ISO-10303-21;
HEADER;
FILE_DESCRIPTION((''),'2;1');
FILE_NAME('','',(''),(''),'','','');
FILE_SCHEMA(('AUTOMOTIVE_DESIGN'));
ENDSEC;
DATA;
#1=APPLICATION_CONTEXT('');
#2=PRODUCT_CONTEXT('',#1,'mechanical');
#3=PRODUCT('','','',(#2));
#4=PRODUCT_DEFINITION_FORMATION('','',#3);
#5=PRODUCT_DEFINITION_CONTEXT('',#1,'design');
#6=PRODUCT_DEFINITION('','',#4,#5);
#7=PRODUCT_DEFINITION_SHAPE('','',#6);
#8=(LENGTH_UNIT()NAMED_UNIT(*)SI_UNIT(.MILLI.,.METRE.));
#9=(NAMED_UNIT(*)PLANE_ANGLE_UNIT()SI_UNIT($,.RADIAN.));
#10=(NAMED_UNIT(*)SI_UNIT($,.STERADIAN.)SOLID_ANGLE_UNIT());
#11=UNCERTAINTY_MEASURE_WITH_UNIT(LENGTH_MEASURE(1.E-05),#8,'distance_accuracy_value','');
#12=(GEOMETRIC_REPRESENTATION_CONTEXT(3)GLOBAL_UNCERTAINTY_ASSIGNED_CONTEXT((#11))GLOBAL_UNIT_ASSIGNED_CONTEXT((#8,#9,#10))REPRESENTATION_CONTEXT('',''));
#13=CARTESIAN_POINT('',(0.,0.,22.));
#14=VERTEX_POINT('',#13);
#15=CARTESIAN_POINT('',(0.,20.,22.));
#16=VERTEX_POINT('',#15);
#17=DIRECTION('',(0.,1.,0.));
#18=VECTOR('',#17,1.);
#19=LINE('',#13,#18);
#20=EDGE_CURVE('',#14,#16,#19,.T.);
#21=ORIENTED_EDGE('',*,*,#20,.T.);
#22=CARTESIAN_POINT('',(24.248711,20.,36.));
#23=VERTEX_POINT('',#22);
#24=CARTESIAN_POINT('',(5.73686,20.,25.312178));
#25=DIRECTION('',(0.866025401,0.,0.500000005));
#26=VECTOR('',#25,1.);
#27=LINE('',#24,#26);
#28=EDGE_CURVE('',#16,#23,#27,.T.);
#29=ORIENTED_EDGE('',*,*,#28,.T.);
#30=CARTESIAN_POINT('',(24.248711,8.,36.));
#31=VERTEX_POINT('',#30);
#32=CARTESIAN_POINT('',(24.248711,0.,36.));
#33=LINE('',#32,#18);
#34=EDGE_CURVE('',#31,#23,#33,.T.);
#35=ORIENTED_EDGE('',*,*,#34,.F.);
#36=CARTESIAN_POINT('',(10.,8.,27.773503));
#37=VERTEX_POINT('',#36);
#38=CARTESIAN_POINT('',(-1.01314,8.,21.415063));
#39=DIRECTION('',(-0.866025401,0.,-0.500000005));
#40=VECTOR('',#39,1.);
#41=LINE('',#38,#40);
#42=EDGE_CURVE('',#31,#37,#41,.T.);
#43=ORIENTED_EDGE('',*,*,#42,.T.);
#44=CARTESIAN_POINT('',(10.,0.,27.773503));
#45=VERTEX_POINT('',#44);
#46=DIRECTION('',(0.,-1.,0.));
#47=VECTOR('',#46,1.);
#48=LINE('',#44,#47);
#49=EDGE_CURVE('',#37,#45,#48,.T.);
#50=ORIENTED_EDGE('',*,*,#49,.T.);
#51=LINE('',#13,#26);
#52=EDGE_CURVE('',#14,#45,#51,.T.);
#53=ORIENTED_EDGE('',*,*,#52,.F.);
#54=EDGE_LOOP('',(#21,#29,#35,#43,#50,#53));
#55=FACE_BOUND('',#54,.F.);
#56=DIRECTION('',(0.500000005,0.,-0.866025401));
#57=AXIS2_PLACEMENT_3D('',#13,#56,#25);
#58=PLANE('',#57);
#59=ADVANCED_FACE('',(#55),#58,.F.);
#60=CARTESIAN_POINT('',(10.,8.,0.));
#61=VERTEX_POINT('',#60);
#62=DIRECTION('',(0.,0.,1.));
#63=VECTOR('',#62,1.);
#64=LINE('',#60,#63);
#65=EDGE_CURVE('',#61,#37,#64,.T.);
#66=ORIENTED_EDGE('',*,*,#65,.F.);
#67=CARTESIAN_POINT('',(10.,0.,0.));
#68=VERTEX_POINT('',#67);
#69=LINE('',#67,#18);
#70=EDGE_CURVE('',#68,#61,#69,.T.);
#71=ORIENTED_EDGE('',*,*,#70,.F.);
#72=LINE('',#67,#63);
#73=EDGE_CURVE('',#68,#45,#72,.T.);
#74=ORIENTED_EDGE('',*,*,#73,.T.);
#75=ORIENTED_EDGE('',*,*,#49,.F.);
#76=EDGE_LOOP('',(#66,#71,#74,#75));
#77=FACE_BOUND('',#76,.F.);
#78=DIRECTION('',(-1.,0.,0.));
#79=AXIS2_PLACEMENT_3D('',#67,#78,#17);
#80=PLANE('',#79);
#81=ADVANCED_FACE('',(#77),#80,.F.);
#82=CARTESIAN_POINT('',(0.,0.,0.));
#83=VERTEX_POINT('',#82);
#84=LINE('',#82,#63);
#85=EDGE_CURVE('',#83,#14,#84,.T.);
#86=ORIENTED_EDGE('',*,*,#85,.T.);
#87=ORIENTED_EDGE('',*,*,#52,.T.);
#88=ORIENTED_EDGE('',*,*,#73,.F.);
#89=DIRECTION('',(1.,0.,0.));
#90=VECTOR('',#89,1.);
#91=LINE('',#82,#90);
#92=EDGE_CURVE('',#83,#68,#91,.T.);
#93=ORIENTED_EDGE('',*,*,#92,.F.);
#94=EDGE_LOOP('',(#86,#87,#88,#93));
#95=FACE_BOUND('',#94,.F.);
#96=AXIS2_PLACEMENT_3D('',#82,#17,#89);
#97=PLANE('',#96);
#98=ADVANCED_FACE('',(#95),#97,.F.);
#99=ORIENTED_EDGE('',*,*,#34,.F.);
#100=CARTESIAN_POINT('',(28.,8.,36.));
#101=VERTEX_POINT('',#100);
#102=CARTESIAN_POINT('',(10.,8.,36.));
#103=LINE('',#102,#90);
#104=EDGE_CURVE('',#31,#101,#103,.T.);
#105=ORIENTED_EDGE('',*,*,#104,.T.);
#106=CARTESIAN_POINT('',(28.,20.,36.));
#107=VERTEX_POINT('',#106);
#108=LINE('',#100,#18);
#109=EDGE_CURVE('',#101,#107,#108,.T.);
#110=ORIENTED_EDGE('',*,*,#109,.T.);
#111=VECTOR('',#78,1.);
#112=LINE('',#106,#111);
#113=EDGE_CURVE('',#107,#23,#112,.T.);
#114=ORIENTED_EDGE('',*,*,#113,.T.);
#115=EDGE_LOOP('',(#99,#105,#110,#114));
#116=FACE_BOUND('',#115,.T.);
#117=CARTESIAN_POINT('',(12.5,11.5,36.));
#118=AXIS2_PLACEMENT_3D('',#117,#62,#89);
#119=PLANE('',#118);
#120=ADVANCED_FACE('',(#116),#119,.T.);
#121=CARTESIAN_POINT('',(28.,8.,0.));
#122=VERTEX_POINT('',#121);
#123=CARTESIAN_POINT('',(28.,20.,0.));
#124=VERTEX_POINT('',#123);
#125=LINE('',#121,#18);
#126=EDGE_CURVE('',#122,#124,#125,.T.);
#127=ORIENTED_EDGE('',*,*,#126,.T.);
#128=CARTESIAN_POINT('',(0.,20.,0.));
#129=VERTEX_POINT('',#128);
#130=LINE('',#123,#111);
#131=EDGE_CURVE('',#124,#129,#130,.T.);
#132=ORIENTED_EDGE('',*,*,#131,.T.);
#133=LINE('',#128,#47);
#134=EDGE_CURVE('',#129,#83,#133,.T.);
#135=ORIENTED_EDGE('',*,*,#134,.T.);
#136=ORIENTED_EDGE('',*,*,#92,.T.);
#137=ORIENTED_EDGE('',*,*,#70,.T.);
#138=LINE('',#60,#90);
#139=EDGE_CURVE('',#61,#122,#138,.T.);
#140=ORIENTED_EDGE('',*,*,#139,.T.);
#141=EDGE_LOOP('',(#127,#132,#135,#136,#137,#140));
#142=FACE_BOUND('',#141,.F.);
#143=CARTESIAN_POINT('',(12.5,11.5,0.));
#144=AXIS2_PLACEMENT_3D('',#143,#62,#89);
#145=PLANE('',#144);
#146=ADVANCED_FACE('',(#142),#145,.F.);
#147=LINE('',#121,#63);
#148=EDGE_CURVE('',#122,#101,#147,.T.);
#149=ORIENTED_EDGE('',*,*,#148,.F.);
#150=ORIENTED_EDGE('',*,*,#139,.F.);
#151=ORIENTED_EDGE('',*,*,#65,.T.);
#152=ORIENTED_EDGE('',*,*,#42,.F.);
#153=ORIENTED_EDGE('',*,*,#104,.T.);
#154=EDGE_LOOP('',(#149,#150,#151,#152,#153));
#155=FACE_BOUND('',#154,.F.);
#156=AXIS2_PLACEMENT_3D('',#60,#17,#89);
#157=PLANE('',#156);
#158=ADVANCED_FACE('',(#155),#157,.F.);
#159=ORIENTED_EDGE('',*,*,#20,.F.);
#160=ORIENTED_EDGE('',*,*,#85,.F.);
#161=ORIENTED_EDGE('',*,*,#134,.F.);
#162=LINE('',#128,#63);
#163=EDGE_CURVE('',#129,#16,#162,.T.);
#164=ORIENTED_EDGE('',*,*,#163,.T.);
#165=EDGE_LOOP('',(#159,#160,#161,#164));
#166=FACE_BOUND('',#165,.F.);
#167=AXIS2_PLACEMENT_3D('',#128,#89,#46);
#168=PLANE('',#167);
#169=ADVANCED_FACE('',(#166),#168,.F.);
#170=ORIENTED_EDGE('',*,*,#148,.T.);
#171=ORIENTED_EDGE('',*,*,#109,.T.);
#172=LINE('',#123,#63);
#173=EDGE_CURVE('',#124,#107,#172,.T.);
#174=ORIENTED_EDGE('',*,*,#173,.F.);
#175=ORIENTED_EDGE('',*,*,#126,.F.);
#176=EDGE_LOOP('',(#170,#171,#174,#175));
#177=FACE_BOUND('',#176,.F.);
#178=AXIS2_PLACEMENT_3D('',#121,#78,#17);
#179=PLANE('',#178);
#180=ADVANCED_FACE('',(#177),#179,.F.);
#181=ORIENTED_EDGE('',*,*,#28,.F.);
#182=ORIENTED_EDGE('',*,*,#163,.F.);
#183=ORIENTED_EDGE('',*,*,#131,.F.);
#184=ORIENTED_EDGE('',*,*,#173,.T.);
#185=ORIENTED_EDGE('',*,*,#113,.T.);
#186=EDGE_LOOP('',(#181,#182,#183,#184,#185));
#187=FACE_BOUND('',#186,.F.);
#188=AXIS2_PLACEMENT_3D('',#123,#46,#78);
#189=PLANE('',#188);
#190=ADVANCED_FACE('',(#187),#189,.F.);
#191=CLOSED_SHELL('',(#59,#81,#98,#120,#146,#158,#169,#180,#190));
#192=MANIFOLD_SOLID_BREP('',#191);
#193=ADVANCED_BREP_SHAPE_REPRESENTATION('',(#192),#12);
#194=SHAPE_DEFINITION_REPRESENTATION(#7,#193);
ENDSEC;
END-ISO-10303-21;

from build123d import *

# Parameters (mm, degrees)
F1_DEPTH = 36
F3_DEPTH = 20.001


with BuildPart() as f1:
    # F0 (on Top) → F1 (new body)
    with BuildSketch(Plane.XY):
        Polygon((0, 20), (0, 0), (10, 0), (10, 8), (28, 8), (28, 20), align=None)
    extrude(amount=F1_DEPTH)

    # F2 (on Front) → F3 (cut, through all)
    with BuildSketch(Plane.XZ):
        Polygon((24.248711, 36), (0, 36), (0, 22), align=None)
    extrude(amount=-F3_DEPTH, mode=Mode.SUBTRACT)


solid = f1.part
